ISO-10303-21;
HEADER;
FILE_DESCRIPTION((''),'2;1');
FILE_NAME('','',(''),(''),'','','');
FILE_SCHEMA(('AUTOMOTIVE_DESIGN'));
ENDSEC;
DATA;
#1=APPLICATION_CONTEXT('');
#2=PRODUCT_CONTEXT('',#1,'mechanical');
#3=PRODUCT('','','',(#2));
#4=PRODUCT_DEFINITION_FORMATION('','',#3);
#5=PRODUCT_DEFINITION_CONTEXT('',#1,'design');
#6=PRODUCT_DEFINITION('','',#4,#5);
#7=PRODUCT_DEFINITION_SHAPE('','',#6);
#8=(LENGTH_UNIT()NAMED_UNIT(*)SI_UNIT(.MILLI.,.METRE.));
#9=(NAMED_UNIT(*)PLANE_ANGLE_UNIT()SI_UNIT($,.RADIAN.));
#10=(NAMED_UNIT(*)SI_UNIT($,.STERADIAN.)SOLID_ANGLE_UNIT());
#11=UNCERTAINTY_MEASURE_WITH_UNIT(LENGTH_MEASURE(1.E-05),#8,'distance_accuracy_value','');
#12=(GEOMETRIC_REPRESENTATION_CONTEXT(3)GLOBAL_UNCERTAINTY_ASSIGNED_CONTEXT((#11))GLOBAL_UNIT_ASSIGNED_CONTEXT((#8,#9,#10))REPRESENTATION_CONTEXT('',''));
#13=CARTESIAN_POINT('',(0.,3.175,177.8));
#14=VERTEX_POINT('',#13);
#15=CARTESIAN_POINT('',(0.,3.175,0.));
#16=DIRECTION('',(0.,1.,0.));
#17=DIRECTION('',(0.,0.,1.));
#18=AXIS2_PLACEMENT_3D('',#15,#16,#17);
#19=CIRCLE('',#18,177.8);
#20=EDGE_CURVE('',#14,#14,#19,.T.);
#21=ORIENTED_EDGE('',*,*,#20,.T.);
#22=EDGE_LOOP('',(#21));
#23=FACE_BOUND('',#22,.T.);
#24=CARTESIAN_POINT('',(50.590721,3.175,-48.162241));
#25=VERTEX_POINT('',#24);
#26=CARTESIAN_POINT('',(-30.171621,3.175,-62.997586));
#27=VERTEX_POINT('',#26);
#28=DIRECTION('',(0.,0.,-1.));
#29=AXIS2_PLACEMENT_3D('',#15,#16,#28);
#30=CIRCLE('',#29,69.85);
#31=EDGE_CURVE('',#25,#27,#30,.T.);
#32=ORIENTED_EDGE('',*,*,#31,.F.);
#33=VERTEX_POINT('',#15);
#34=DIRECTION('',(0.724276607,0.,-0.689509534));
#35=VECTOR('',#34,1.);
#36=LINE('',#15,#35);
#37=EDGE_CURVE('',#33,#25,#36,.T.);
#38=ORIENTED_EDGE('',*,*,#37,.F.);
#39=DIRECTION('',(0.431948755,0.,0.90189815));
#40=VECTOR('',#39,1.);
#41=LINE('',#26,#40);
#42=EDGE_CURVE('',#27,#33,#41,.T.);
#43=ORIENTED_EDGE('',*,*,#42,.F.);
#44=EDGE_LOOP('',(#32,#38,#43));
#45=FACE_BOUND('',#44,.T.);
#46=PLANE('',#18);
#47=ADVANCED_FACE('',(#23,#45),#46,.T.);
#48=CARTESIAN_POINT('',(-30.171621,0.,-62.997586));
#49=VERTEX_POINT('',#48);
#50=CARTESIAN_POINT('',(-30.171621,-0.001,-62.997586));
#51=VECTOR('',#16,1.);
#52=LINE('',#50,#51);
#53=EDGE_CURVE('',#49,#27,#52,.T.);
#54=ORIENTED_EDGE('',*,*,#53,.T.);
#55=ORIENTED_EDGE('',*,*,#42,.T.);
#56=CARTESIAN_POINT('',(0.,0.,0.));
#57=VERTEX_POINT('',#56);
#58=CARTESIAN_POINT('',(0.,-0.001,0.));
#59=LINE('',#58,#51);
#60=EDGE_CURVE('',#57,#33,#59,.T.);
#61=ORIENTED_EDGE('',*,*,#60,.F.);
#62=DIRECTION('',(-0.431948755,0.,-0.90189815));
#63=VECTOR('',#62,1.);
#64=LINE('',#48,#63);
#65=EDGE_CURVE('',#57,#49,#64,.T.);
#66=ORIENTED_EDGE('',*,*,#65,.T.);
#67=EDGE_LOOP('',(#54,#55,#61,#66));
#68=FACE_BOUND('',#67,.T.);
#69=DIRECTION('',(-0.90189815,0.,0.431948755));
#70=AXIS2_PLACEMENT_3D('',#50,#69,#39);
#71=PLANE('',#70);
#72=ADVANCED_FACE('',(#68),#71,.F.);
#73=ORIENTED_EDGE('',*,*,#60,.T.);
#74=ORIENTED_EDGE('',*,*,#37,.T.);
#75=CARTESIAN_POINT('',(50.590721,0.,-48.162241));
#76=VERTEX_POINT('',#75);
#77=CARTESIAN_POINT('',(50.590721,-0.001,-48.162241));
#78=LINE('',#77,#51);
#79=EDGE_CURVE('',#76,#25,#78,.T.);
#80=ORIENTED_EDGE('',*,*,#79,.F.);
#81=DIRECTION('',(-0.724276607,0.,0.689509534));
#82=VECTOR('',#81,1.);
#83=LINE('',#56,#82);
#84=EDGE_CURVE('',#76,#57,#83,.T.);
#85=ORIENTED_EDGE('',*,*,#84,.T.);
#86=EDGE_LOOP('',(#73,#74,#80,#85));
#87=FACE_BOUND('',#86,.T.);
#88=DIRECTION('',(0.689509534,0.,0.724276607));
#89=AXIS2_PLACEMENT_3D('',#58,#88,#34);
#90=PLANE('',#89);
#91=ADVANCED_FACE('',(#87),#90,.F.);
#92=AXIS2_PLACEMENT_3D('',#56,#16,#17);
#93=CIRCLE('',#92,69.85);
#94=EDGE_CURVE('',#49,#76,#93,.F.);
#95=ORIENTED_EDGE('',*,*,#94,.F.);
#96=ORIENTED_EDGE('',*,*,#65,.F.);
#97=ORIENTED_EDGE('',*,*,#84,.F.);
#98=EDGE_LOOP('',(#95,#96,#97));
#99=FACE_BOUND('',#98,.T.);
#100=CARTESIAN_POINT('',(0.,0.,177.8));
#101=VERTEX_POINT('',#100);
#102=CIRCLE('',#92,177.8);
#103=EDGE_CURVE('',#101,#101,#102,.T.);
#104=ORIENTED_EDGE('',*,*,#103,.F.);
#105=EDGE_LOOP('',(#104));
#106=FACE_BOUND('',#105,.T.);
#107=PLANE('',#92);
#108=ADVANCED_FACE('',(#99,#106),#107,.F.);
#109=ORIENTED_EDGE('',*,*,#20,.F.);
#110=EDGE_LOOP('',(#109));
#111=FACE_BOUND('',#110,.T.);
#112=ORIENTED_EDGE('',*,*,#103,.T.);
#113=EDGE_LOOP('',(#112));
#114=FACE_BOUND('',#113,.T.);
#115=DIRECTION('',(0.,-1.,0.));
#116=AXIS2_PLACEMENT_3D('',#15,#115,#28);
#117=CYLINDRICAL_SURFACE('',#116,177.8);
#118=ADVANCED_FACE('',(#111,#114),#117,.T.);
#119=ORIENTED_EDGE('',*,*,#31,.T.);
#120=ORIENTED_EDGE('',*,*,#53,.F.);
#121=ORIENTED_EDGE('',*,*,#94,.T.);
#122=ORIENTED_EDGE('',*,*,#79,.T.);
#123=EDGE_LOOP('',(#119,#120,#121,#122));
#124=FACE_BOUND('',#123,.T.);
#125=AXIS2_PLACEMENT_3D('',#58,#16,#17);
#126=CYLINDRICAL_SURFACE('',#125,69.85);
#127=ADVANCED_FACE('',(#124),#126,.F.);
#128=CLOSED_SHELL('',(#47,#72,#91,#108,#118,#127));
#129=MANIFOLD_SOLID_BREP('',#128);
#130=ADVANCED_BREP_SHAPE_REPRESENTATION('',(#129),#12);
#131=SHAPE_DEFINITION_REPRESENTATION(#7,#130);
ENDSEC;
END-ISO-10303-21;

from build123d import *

# Parameters (mm, degrees)
SKETCH1_R           = 177.8
BOSS_EXTRUDE1_DEPTH = 3.175
CUT_EXTRUDE1_REACH  = 253.467


with BuildPart() as part:
    # Sketch1 → Boss-Extrude1 (new body)
    with BuildSketch(Plane(origin=(0, 0, 0), x_dir=(1, 0, 0), z_dir=(0, 1, 0))):
        with Locations(Location((0, 0, 0), (0, 0, 270))):
            Circle(SKETCH1_R)
    extrude(amount=BOSS_EXTRUDE1_DEPTH)

    # Sketch3 → Cut-Extrude1 (cut, up to next)
    with BuildSketch(Plane(origin=(0, 3.175, 0), x_dir=(1, 0, 0), z_dir=(0, 1, 0)), mode=Mode.PRIVATE) as cut_extrude1_sk1:
        with BuildLine():
            Line((-30.171620542, 62.997585778), (0, 0))
            Line((0, 0), (50.59072097, 48.162240933))
            ThreePointArc((50.59072097, 48.162240933), (12.619698084, 68.700551091), (-30.171620542, 62.997585778))
        make_face()
    cut_extrude1_tool1 = extrude(cut_extrude1_sk1.sketch, amount=-CUT_EXTRUDE1_REACH, mode=Mode.PRIVATE) & part.part
    add(cut_extrude1_tool1.solids().sort_by_distance((7.870395, 3.175, -42.845753))[0], mode=Mode.SUBTRACT)


solid = part.part
